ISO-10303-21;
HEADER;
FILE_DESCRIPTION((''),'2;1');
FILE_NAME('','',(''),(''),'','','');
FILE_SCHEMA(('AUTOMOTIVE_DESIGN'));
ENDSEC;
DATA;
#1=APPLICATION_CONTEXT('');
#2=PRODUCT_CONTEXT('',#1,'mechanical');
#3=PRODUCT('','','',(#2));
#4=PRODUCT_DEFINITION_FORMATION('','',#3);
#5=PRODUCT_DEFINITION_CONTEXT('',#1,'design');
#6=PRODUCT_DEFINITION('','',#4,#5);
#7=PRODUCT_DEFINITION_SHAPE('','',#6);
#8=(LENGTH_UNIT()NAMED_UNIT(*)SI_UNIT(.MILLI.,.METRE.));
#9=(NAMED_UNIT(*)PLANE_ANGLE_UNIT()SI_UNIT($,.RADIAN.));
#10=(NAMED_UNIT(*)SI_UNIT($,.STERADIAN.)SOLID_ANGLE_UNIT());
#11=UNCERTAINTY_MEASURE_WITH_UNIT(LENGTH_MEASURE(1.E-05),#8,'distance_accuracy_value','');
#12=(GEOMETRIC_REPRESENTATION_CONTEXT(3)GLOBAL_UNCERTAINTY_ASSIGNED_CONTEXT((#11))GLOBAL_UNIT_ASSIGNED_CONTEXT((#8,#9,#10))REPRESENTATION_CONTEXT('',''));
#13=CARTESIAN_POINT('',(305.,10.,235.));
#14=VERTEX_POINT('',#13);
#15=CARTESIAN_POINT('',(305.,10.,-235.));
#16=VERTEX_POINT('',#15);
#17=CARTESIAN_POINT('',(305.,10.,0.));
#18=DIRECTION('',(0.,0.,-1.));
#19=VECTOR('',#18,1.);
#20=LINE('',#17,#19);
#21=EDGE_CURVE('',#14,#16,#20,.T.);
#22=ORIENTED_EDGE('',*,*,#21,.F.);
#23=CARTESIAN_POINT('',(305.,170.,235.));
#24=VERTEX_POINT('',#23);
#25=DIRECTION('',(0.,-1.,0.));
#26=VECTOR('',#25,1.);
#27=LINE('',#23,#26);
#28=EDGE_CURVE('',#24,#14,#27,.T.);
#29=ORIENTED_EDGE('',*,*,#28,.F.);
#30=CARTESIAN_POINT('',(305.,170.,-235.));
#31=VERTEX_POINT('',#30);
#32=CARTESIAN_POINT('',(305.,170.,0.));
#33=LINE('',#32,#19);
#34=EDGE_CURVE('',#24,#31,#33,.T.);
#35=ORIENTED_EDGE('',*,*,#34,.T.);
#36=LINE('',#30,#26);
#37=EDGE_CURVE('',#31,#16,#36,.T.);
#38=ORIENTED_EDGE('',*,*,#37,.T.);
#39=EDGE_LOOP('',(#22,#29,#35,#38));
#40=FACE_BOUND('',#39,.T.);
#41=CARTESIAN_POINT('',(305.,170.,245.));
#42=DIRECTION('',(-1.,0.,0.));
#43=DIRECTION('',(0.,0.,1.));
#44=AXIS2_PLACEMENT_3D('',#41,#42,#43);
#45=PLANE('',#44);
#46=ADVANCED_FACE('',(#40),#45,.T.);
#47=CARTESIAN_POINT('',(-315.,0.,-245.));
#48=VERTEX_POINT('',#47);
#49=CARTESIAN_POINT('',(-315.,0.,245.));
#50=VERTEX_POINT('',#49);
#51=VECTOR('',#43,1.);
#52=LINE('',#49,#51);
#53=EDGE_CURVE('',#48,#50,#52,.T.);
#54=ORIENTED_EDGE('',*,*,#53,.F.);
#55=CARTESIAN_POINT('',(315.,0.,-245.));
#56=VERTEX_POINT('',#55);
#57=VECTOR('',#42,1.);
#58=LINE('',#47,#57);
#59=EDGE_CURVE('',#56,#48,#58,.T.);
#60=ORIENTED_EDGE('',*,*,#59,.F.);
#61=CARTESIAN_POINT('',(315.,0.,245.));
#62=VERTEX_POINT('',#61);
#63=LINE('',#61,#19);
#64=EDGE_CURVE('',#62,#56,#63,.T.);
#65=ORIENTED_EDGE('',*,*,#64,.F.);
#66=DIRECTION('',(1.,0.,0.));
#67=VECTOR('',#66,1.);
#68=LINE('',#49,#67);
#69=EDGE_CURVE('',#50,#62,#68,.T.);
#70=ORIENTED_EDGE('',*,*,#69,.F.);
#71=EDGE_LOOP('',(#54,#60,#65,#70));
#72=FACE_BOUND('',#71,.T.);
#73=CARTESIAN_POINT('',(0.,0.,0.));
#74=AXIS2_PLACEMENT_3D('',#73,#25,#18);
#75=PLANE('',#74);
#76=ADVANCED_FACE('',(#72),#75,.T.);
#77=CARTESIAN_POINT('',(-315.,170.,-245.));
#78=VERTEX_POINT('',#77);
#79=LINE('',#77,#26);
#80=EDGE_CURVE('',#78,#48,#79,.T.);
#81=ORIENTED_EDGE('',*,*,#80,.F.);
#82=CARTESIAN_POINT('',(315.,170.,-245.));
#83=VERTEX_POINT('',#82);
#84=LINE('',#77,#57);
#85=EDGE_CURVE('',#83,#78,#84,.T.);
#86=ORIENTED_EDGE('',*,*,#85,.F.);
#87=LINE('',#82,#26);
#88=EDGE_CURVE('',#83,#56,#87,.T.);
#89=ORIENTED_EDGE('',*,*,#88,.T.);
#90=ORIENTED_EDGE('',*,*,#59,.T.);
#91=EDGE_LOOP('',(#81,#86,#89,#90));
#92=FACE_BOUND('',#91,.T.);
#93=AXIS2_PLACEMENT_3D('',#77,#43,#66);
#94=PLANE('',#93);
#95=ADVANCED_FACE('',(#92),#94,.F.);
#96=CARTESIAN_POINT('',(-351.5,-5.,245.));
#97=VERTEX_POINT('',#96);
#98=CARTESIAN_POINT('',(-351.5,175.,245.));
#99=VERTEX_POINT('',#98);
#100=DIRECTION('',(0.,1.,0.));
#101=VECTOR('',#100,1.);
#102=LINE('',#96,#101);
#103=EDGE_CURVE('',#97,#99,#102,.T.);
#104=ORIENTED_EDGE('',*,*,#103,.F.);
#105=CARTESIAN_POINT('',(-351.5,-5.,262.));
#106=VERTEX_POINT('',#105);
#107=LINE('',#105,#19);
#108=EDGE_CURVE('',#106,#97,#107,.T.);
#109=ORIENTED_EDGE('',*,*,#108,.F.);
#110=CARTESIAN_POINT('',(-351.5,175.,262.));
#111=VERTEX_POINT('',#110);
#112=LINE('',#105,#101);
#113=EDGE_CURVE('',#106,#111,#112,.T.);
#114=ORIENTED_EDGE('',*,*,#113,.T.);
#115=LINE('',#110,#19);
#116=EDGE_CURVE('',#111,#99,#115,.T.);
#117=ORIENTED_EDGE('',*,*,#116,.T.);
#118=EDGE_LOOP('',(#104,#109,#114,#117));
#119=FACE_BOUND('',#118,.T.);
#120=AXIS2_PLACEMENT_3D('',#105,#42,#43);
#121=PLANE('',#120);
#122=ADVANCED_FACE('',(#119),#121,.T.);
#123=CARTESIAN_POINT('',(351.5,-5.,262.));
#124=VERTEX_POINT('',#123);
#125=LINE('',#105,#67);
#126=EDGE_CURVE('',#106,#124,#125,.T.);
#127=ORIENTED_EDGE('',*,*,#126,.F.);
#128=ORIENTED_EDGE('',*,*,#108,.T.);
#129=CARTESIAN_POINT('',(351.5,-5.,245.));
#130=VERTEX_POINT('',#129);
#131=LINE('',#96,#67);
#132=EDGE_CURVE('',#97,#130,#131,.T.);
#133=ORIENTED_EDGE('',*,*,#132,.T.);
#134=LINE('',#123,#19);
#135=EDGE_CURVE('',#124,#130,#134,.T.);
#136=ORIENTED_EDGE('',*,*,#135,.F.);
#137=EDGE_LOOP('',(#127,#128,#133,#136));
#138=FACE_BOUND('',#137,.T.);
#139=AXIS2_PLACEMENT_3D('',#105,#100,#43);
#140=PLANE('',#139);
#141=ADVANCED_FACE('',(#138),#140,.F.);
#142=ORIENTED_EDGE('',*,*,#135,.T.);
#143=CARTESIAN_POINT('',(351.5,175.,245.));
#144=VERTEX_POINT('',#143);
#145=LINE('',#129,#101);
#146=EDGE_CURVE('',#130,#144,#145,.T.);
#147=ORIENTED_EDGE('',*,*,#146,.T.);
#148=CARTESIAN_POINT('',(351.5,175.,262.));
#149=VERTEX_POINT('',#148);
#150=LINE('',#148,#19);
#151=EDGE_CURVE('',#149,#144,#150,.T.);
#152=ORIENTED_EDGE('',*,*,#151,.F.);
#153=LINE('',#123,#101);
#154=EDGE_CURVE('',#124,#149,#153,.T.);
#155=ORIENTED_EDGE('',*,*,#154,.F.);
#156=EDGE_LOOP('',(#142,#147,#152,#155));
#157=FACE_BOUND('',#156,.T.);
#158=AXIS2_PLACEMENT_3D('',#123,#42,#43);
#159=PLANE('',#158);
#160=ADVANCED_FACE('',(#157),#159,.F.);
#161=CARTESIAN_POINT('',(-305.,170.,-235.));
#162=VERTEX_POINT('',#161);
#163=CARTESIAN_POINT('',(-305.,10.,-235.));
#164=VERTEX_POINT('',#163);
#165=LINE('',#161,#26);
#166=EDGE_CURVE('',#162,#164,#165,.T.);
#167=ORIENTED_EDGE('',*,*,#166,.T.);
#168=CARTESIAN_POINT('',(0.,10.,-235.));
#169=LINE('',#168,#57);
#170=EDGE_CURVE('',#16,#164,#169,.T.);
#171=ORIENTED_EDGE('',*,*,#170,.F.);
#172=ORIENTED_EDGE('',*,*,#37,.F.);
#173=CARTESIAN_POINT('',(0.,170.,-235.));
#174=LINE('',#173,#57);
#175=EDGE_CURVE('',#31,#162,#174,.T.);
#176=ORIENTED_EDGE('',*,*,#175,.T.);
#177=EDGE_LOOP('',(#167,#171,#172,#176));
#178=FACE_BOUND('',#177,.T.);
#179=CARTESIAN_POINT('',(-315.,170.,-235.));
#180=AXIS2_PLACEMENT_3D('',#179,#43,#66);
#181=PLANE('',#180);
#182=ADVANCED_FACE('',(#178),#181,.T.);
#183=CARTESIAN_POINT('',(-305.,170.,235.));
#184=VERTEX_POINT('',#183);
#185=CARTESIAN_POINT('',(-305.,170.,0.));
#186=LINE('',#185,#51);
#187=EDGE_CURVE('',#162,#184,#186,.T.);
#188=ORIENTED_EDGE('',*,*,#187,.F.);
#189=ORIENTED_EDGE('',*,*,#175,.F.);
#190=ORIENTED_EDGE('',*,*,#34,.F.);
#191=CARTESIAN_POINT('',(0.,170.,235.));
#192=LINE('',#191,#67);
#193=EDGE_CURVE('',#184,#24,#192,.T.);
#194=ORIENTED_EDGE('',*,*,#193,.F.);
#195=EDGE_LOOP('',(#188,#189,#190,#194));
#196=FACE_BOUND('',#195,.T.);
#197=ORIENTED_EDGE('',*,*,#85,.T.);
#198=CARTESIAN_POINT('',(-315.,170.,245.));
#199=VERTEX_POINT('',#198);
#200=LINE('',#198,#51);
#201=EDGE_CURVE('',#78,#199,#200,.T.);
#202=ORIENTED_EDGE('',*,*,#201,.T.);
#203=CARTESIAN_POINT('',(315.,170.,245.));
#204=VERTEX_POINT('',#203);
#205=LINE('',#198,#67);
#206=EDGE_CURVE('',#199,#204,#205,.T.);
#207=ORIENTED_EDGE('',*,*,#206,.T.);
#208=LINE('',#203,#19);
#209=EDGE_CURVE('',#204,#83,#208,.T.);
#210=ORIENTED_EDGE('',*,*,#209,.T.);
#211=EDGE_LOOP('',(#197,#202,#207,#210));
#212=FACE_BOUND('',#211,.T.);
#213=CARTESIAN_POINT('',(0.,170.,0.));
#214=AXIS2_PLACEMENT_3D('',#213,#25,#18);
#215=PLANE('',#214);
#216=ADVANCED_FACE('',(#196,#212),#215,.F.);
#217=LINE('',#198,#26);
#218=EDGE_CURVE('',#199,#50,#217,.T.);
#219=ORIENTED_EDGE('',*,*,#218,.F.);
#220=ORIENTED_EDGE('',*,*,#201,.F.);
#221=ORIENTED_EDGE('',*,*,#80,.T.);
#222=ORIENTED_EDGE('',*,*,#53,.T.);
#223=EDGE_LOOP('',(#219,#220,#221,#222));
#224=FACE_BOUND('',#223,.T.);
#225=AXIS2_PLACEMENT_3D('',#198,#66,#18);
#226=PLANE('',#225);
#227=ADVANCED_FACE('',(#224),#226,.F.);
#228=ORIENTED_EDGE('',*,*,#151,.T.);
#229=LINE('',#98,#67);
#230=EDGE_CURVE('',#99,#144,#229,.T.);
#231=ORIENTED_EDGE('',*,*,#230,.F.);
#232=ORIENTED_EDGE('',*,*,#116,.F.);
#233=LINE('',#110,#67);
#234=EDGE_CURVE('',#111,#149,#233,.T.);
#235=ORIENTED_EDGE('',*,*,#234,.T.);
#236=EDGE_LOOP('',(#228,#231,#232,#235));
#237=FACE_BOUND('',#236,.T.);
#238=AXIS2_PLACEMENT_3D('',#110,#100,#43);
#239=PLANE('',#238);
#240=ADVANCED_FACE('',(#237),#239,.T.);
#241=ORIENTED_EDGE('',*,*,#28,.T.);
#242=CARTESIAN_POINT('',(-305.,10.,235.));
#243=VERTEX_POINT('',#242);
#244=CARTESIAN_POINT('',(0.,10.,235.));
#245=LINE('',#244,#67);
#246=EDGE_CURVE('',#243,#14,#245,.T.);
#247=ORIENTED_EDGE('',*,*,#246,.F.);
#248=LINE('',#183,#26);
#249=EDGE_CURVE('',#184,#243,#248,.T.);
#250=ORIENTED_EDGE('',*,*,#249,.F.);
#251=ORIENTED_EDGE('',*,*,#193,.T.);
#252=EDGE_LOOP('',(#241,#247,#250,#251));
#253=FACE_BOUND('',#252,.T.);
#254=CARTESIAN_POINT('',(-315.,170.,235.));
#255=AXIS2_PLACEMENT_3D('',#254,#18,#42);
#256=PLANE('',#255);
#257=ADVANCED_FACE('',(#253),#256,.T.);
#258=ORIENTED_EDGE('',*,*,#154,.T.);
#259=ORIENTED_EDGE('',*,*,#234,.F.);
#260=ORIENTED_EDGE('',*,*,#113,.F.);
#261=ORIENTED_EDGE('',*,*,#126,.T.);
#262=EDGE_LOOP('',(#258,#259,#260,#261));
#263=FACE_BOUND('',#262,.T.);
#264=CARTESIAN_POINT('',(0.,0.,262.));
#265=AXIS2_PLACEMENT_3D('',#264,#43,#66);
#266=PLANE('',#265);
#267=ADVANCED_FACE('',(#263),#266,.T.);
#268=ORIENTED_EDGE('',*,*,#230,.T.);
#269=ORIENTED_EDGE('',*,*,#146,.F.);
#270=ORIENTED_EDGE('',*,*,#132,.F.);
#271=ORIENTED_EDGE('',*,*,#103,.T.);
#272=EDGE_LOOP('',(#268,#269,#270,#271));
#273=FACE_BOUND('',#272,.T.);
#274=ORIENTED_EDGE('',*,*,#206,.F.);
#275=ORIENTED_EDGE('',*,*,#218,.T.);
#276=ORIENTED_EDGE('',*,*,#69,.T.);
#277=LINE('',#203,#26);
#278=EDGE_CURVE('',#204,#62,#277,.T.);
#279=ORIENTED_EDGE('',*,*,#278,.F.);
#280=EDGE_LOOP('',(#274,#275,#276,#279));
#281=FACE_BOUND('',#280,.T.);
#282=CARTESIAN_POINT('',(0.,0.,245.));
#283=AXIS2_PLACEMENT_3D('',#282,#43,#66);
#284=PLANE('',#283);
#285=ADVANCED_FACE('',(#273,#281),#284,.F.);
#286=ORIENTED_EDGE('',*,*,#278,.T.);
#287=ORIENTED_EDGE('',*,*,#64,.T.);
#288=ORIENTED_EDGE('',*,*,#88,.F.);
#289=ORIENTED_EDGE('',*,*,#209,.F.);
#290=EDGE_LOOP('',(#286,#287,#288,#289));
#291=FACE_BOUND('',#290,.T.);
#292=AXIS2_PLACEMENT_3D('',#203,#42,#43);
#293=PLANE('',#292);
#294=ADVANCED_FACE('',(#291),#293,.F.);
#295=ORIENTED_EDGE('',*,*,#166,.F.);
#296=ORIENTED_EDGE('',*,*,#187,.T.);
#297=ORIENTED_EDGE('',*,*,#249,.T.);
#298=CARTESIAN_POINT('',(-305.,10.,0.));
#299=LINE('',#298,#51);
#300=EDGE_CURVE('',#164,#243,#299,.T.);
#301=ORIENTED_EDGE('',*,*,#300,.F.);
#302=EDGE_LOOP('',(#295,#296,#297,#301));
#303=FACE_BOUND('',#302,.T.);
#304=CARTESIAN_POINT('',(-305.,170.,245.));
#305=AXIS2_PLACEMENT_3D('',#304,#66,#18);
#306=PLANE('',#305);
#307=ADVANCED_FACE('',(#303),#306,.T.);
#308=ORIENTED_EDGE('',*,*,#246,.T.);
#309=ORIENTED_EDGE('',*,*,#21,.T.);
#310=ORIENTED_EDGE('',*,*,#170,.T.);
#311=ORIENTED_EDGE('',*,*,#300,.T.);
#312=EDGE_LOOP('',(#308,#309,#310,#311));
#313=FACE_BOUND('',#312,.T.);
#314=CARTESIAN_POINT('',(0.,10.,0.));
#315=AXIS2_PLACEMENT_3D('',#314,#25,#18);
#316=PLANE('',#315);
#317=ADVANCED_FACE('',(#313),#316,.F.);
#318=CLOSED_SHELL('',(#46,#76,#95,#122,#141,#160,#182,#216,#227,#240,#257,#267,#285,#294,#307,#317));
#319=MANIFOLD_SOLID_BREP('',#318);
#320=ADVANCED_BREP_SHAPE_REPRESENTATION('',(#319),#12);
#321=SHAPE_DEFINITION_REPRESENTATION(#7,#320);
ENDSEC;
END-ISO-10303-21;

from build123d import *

# Parameters (mm, degrees)
SKETCH1_W           = 630
SKETCH1_H           = 490
EXTRUSION_DEPTH     = 170
DRAWER_S_INTERIOR_T = -10
SKETCH2_W           = 703
SKETCH2_H           = 180
BOSS_EXTRUDE2_DEPTH = 17


with BuildPart() as part:
    # Sketch1 → Extrusion (new body)
    with BuildSketch(Plane(origin=(0, 0, 0), x_dir=(1, 0, 0), z_dir=(0, 1, 0))):
        Rectangle(SKETCH1_W, SKETCH1_H)
    extrude(amount=EXTRUSION_DEPTH)

    # Drawer's interior
    drawer_s_interior_openings = [part.faces().sort_by_distance(p)[0] for p in [
        (0, 170, 0),
    ]]
    offset(amount=DRAWER_S_INTERIOR_T, openings=drawer_s_interior_openings, kind=Kind.INTERSECTION)

    # Sketch2 → Boss-Extrude2 (add)
    with BuildSketch(Plane.XY.offset(245)):
        with Locations((0, 85)):
            Rectangle(SKETCH2_W, SKETCH2_H)
    extrude(amount=BOSS_EXTRUDE2_DEPTH)


solid = part.part
